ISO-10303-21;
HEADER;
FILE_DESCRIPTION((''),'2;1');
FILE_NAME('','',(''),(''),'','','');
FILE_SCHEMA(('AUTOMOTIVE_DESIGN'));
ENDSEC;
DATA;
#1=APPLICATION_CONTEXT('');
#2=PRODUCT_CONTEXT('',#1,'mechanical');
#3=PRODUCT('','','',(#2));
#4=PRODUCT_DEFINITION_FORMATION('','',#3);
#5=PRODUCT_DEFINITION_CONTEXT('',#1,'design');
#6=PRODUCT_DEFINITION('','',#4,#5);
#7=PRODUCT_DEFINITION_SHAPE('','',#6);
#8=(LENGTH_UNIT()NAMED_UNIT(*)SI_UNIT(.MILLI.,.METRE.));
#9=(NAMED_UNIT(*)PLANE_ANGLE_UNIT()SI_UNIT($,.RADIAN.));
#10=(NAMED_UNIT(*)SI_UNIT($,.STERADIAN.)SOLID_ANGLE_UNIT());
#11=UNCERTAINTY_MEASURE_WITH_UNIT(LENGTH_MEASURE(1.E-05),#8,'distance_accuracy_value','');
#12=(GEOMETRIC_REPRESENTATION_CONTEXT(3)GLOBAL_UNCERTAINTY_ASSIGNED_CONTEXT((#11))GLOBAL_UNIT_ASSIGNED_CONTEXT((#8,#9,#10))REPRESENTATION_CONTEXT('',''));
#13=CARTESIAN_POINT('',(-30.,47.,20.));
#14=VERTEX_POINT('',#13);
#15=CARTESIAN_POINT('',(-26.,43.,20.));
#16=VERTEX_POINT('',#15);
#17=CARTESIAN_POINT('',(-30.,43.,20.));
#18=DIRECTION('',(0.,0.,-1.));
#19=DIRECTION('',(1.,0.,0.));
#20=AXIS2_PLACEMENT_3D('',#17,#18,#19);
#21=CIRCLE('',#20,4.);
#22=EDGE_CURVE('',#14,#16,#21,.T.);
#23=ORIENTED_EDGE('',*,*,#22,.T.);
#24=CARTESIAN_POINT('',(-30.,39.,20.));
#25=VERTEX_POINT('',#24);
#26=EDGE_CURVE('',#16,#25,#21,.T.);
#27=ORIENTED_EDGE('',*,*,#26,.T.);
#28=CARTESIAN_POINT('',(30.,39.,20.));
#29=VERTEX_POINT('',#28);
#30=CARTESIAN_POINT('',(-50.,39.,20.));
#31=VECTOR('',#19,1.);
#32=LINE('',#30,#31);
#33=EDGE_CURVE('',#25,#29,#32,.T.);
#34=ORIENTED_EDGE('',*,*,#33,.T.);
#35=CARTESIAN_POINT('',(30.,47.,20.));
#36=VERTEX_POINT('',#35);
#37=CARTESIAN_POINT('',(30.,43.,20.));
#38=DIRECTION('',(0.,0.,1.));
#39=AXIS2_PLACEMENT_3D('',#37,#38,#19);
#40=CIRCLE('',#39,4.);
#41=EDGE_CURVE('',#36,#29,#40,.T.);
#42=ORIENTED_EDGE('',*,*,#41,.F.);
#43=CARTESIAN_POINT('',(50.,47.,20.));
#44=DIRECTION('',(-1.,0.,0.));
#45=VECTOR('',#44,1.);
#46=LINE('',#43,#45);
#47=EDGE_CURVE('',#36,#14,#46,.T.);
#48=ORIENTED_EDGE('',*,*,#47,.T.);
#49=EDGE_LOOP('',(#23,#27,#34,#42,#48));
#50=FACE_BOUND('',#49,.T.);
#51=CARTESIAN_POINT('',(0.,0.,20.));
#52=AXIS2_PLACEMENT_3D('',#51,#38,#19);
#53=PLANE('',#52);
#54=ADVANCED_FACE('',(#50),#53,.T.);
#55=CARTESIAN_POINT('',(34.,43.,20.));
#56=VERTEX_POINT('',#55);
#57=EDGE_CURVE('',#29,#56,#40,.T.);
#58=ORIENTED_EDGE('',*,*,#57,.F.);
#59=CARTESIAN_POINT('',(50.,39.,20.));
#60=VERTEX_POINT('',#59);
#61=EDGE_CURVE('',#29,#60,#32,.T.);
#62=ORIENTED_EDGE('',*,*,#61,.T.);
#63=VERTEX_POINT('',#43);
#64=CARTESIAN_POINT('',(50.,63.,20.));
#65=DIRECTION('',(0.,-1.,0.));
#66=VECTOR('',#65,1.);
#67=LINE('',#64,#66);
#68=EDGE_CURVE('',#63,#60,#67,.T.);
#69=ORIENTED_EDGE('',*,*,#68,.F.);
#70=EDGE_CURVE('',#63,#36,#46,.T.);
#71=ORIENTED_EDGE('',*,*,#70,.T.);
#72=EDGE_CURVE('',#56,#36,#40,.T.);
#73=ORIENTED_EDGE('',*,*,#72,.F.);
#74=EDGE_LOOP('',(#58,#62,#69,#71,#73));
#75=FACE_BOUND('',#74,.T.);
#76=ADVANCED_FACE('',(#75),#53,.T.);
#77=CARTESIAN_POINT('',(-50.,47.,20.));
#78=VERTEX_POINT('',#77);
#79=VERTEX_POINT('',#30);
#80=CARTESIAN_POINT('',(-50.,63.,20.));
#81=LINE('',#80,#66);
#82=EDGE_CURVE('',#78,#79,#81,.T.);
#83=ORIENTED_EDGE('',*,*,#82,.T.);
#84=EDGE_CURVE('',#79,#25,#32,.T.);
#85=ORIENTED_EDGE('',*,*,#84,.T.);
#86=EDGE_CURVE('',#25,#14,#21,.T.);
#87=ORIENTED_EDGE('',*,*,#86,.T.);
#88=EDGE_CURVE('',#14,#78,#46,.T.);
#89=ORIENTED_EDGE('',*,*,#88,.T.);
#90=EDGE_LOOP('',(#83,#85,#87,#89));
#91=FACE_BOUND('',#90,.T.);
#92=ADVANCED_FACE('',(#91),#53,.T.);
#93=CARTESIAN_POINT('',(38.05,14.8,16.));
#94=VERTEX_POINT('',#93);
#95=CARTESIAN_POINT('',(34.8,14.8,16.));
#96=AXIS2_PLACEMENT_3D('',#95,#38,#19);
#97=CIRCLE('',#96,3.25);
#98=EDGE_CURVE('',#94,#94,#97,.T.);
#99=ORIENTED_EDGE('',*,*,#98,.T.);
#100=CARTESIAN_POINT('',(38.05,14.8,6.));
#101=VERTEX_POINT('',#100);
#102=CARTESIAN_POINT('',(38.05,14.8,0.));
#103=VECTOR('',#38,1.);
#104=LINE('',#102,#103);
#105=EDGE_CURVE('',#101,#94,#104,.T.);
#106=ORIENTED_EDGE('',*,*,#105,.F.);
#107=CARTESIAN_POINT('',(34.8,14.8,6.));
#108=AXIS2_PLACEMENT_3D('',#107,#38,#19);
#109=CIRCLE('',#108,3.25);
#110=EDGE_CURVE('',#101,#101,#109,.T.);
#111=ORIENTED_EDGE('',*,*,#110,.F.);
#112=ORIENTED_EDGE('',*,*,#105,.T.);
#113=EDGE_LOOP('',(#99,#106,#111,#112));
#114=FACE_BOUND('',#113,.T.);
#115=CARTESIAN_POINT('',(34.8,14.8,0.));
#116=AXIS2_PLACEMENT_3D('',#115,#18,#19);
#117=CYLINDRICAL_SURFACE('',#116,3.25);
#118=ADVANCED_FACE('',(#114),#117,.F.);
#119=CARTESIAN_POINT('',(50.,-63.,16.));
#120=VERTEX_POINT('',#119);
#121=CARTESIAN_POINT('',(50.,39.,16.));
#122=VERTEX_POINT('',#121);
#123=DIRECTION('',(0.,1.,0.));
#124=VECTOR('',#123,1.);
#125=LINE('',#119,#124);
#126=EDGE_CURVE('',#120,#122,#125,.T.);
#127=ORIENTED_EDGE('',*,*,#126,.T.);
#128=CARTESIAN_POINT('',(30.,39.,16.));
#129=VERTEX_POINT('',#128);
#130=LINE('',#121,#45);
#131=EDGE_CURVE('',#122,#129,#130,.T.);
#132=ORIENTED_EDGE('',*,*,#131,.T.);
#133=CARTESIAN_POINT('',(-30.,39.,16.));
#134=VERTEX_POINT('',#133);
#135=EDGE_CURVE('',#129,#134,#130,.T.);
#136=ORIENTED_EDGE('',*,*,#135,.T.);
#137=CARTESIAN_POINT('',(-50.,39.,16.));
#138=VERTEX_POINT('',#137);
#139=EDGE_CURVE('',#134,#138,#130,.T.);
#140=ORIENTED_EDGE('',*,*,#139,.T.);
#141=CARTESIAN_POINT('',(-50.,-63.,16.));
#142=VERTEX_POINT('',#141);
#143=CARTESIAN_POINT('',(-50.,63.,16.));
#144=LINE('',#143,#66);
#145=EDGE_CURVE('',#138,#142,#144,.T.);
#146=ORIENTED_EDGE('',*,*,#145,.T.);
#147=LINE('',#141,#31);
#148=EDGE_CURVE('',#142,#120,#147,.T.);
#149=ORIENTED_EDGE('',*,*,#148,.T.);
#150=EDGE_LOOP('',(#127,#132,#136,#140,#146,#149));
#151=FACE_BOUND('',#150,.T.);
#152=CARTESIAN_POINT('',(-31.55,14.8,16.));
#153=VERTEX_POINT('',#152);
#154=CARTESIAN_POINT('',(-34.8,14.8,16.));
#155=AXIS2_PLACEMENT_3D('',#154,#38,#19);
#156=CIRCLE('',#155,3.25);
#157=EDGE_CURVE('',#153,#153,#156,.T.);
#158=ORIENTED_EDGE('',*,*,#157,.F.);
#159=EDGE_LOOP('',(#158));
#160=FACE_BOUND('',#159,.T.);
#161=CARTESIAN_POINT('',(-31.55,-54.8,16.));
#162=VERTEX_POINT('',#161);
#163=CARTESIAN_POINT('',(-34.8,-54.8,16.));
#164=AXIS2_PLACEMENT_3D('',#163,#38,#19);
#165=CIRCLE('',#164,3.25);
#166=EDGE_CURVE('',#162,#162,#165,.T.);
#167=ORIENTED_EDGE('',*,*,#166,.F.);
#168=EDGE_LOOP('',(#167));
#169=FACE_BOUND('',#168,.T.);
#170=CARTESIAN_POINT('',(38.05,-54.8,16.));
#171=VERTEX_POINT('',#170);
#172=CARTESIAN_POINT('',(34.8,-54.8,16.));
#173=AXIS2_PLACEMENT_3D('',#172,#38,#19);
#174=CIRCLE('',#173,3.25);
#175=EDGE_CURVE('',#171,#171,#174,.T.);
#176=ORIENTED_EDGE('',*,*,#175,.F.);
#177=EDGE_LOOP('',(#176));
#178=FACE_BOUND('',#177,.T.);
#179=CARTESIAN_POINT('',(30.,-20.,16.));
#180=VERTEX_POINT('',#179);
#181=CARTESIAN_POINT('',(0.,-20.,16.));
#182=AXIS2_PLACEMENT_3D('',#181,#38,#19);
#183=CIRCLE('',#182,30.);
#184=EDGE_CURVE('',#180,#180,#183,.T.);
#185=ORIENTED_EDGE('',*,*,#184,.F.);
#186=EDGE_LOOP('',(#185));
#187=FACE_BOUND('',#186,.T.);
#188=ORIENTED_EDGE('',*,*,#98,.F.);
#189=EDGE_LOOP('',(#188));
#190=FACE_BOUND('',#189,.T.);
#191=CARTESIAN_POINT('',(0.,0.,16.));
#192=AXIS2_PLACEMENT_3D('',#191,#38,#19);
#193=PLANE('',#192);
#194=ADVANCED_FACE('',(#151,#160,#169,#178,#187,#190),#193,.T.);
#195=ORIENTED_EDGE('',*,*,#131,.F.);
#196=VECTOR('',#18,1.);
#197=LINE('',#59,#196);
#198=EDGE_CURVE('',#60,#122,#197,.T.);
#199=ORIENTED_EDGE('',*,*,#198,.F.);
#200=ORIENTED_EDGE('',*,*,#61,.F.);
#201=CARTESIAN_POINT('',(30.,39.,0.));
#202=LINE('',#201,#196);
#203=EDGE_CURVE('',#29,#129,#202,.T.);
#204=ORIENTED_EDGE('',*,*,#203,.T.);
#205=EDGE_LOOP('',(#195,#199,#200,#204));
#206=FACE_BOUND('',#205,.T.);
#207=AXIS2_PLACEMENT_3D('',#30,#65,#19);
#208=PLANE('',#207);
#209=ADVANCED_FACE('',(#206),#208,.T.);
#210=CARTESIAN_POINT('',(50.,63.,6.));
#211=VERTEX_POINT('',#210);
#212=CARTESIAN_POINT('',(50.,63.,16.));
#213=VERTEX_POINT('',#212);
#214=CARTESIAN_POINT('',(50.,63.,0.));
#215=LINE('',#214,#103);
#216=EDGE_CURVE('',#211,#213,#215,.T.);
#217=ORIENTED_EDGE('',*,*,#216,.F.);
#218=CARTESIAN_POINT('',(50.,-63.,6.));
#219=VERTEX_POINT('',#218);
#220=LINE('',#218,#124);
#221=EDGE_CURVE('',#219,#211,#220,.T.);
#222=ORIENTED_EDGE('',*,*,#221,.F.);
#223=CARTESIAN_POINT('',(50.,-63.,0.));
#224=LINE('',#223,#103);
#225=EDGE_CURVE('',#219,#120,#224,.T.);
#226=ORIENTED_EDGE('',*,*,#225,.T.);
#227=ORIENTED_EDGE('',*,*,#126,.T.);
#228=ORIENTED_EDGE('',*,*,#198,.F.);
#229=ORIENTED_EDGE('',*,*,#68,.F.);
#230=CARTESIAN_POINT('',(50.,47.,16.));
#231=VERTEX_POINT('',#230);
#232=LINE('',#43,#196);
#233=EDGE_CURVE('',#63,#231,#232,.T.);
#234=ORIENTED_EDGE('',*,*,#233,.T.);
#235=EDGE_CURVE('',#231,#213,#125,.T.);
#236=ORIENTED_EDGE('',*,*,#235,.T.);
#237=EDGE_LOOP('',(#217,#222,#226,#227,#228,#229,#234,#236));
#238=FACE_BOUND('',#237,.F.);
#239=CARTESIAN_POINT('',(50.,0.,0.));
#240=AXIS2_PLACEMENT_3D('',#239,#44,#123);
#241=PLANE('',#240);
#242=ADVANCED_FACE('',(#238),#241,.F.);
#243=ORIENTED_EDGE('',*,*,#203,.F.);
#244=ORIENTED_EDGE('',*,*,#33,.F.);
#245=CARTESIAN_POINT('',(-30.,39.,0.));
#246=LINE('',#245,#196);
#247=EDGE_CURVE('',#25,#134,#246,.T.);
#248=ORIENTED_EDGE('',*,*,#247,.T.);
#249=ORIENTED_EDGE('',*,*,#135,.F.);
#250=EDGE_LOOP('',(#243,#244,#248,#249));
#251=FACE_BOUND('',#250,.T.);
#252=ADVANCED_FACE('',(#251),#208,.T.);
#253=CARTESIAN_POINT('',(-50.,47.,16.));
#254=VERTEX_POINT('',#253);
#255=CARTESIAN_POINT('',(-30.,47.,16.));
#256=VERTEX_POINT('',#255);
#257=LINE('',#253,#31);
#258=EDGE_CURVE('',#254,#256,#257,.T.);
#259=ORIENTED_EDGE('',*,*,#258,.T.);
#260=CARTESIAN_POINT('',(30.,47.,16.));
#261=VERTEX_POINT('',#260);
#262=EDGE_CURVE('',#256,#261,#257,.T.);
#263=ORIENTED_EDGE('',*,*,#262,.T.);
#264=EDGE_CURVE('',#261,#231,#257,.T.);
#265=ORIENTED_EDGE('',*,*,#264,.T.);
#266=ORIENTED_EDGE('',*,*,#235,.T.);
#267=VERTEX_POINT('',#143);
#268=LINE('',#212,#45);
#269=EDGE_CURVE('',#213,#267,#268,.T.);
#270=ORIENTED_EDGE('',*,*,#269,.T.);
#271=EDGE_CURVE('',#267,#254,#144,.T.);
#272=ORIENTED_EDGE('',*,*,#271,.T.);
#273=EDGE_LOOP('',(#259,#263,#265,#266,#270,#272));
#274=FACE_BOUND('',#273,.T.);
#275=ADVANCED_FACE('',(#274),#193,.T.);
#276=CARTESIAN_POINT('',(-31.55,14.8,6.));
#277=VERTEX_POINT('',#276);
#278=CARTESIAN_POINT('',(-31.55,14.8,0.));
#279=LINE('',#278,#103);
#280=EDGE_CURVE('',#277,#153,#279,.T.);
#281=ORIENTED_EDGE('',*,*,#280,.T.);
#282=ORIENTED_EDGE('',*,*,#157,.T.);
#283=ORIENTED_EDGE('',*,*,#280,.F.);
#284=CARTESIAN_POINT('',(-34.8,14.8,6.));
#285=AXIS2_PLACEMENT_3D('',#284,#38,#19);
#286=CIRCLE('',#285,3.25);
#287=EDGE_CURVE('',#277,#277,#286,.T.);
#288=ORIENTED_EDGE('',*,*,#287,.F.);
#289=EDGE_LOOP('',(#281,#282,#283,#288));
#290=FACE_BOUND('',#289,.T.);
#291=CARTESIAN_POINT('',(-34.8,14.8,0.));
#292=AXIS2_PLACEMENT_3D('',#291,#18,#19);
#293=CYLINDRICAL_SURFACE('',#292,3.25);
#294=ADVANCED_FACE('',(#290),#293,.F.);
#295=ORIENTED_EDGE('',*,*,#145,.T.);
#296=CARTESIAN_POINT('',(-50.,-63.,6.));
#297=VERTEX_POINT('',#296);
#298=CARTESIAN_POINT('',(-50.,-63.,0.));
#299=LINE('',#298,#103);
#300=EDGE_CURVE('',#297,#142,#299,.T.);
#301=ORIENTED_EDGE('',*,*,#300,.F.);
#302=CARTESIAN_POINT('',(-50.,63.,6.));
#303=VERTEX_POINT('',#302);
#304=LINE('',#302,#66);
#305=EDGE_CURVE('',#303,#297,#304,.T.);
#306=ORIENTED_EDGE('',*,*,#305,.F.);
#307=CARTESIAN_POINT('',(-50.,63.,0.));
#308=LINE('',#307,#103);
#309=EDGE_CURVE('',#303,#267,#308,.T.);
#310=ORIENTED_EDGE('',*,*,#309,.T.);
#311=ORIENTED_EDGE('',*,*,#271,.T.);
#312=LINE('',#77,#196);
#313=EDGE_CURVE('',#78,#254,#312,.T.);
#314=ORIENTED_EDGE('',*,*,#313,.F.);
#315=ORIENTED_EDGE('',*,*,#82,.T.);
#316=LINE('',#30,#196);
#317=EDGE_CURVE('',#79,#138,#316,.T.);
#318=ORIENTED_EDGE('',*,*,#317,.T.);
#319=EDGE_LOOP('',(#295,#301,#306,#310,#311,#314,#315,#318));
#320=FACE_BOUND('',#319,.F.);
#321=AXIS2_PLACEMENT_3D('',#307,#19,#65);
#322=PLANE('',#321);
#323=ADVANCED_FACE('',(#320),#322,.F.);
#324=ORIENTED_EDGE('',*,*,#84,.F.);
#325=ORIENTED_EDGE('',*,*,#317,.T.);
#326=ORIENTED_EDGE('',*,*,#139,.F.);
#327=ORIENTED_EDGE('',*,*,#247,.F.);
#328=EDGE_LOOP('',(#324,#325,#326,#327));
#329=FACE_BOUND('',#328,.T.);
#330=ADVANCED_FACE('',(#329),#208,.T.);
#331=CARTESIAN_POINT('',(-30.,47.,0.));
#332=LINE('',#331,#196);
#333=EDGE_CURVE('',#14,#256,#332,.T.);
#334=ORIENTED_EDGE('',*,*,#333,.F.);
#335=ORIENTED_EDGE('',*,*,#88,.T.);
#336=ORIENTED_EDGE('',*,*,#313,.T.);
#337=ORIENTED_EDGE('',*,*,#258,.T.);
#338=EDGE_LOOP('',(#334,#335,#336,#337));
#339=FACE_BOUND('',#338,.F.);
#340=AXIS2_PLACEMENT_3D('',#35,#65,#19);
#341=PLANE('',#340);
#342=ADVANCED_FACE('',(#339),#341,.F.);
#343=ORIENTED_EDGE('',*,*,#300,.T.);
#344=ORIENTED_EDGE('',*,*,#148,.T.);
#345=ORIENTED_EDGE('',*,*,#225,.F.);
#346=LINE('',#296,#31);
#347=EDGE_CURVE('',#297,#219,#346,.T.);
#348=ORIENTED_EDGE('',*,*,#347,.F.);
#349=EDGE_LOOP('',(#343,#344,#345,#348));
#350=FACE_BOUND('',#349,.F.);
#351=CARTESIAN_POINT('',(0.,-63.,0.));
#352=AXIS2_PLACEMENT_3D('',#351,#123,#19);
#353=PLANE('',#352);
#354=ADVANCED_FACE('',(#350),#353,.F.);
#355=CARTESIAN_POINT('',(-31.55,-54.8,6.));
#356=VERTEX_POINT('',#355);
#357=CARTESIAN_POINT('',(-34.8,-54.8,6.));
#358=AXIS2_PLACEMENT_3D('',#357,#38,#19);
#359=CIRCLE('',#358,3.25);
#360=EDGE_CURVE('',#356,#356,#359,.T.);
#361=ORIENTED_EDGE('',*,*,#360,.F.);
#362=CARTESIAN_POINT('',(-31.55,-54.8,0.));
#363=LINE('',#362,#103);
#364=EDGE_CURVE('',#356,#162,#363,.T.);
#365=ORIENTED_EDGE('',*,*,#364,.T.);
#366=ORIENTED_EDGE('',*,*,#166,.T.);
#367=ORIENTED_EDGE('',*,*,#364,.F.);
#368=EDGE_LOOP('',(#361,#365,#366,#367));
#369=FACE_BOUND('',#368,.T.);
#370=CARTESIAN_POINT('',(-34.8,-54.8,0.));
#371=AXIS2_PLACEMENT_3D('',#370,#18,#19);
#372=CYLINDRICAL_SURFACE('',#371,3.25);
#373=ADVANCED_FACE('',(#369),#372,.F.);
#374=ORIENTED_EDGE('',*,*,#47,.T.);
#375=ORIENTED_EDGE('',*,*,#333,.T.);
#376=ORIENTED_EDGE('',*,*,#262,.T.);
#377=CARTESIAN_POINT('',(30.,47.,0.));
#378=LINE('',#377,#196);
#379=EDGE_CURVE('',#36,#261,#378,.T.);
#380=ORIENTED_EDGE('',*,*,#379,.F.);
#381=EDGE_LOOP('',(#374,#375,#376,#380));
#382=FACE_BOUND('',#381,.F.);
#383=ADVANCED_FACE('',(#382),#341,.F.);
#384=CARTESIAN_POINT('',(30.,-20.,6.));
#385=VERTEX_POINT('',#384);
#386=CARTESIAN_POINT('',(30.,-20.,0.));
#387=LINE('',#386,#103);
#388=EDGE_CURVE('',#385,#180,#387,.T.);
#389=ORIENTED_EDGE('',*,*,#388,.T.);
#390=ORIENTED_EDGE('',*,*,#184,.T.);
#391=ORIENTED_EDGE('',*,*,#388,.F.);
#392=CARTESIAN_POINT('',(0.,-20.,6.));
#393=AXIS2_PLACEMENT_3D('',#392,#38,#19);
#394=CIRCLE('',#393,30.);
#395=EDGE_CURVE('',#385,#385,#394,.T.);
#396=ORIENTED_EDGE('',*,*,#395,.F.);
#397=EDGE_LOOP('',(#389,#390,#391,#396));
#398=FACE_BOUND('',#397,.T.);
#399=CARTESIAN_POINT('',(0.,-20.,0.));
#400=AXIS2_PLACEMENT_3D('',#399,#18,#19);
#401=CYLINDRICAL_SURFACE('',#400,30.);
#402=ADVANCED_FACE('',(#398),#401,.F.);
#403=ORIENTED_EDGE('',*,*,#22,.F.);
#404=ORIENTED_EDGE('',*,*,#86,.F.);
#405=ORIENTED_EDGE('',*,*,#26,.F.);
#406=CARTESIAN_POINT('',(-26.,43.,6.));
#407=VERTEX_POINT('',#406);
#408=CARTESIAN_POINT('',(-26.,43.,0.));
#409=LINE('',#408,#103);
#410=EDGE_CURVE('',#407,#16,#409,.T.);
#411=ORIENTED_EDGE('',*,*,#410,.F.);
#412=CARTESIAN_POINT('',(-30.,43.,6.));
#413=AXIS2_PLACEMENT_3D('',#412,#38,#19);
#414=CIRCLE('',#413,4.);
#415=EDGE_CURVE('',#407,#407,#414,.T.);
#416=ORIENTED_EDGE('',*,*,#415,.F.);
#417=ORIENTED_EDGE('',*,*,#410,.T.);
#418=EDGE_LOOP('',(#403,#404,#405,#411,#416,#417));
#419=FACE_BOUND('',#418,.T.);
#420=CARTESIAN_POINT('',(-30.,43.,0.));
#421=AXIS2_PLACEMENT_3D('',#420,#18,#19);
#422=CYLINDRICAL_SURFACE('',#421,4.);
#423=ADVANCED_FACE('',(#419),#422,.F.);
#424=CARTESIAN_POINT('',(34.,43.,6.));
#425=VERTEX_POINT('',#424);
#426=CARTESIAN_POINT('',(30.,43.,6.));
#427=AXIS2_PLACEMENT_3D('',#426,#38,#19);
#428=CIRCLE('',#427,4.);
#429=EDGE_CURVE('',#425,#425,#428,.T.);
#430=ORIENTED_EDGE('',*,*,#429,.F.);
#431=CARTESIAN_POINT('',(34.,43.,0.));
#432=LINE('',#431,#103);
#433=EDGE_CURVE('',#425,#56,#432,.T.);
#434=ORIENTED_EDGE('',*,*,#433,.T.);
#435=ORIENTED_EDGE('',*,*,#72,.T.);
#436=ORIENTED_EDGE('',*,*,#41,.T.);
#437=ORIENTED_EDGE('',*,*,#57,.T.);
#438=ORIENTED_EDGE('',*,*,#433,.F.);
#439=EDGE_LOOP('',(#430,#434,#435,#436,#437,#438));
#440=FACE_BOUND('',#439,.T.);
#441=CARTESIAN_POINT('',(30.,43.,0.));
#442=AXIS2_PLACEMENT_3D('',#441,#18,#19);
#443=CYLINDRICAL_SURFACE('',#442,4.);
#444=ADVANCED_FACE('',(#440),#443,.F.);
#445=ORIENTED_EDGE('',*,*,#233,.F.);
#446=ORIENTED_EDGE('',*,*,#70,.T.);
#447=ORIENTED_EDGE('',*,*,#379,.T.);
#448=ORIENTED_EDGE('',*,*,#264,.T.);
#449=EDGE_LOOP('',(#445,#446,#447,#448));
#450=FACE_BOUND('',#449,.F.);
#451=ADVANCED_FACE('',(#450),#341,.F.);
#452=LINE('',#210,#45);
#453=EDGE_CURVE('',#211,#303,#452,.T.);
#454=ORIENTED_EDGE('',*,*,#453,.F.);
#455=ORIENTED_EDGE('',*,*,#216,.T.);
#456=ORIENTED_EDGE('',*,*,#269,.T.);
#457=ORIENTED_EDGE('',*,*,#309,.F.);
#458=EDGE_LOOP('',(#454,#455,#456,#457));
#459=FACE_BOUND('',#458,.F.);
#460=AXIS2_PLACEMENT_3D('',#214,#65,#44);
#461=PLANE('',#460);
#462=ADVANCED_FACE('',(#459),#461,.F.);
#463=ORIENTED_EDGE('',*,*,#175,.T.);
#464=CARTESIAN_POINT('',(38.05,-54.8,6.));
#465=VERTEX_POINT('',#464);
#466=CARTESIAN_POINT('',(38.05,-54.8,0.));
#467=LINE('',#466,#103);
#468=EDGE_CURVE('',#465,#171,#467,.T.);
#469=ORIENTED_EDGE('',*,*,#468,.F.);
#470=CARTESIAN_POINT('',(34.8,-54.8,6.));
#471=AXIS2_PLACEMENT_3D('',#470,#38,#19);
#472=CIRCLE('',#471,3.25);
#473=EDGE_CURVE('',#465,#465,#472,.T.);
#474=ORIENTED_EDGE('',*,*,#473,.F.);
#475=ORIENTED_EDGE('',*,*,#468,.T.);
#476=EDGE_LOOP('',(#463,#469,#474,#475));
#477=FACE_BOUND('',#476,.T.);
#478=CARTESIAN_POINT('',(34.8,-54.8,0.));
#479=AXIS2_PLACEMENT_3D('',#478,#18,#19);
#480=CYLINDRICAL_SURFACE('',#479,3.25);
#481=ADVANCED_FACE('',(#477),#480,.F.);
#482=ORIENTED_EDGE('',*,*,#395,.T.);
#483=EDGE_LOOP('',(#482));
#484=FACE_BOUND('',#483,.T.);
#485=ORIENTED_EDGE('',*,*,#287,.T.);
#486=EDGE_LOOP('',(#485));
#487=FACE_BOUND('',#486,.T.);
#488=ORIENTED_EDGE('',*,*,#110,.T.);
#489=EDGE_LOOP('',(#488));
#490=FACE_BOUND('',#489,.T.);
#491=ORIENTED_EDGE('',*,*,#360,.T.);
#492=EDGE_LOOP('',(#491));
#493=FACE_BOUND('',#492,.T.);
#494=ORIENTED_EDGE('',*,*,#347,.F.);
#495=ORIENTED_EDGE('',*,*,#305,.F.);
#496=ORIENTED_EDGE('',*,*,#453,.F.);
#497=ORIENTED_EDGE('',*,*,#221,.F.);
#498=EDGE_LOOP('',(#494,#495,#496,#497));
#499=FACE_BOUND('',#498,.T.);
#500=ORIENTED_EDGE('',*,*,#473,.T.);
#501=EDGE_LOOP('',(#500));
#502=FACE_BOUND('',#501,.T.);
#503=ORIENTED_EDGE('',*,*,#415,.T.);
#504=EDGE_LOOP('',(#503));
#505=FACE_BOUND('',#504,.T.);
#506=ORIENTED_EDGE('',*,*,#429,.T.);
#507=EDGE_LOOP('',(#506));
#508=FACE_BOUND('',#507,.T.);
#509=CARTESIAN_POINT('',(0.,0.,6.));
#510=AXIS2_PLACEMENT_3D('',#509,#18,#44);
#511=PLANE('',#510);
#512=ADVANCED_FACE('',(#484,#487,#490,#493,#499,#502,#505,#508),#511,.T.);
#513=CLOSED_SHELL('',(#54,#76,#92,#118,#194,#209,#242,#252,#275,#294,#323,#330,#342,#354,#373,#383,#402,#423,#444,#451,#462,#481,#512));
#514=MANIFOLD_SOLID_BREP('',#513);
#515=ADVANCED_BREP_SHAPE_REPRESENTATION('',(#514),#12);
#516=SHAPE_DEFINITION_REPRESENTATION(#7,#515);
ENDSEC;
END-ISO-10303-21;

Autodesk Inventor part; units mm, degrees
ref_plane "YZ Plane" through (0, 0, 0) normal (1, 0, 0) x (0, 1, 0)
ref_plane "XZ Plane" through (0, 0, 0) normal (0, 1, 0) x (-1, 0, 0)
ref_plane "XY Plane" through (0, 0, 0) normal (0, 0, 1) x (1, 0, 0)
sketch "Sketch1" plane through (0, 0, 0) normal (0, 0, 1) x (1, 0, 0)
  line L0 (0, 88.2) -> (0, -88.2) projected
  line L1 (-70, 0) -> (70, 0) projected
  line L2 (-50, -63) -> (50, -63)
  line L3 (50, -63) -> (50, 63)
  line L4 (50, 63) -> (-50, 63)
  line L5 (-50, 63) -> (-50, -63)
  circle A0 centre (0, -20) radius 30
  circle A1 centre (-30, 43) radius 4
  circle A2 centre (30, 43) radius 4
  circle A3 centre (34.8, -54.8) radius 3.25
  circle A4 centre (34.8, 14.8) radius 3.25
  circle A5 centre (-34.8, 14.8) radius 3.25
  circle A6 centre (-34.8, -54.8) radius 3.25
  line L6 (-30, 43) -> (-30, 39)
  line L7 (0, -20) -> (0, 10)
  point P0 (0, 0)
  dimension "d2" = 60
  dimension "d4" = 8
  dimension "d0" = 100
  dimension "d1" = 126
  dimension "d3" = 43
  dimension "d5" = 8
  dimension "d6" = 20
  dimension "d7" = 20
  dimension "d8" = 20
  dimension "d9" = 20
  dimension "d10" = 6.5
  dimension "d11" = 6.5
  dimension "d12" = 6.5
  dimension "d13" = 6.5
  dimension "d14" = 69.6
  dimension "d15" = 69.6
  dimension "d16" = 69.6
  dimension "d17" = 69.6
  dimension "d18" = 0
  dimension "d19" = 0
  dimension "d20" = 34.8
  dimension "d21" = 34.8
  dimension "d22" = 29
extrude "Extrusion1" add sketch "Sketch1" along normal blind 20 contours L4 L3 L1 A0 L0 | L0 A0 L1 L5 L4 | L1 L3 L2 L0 A0 | A0 L0 L2 L5 L1
sketch "Sketch2" plane through (0, 0, 20) normal (0, 0, 1) x (1, 0, 0)
  line L0 (50, 63) -> (-50, 63) projected
  line L1 (-50, 63) -> (-50, -63) projected
  line L2 (-50, -63) -> (50, -63) projected
  line L3 (50, -63) -> (50, 63) projected
  circle A0 centre (30, 43) radius 4 projected
  circle A1 centre (34.8, 14.8) radius 3.25 projected
  circle A2 centre (34.8, -54.8) radius 3.25 projected
  circle A3 centre (-34.8, -54.8) radius 3.25 projected
  circle A4 centre (-34.8, 14.8) radius 3.25 projected
  circle A5 centre (-30, 43) radius 4 projected
  circle A6 centre (0, -20) radius 30 projected
  line L4 (-50, 63) -> (-50, -63) projected
  line L5 (-50, 43) -> (50, 43)
  line L6 (-50, 47) -> (50, 47)
  line L7 (-50, 39) -> (50, 39)
  point P0 (0, 0)
  dimension "d25" = 4
  dimension "d26" = 4
extrude "Extrusion2" cut sketch "Sketch2" against normal blind 4 contours L3 L6 L1 L0 | L3 L2 L1 L7
sketch "Sketch3" plane through (0, 0, 0) normal (0, 0, -1) x (-1, 0, 0)
  line L0 (-50, 63) -> (50, 63) projected
  line L1 (-50, -63) -> (-50, 63) projected
  line L2 (50, -63) -> (-50, -63) projected
  line L3 (50, 63) -> (50, -63) projected
  circle A0 centre (-30, 43) radius 4 projected
  circle A1 centre (-34.8, 14.8) radius 3.25 projected
  circle A2 centre (-34.8, -54.8) radius 3.25 projected
  circle A3 centre (34.8, -54.8) radius 3.25 projected
  circle A4 centre (34.8, 14.8) radius 3.25 projected
  circle A5 centre (30, 43) radius 4 projected
  circle A6 centre (0, -20) radius 30 projected
  point P0 (0, 0)
extrude "Extrusion3" cut sketch "Sketch3" against normal blind 6
properties part number "motor mount lower"
